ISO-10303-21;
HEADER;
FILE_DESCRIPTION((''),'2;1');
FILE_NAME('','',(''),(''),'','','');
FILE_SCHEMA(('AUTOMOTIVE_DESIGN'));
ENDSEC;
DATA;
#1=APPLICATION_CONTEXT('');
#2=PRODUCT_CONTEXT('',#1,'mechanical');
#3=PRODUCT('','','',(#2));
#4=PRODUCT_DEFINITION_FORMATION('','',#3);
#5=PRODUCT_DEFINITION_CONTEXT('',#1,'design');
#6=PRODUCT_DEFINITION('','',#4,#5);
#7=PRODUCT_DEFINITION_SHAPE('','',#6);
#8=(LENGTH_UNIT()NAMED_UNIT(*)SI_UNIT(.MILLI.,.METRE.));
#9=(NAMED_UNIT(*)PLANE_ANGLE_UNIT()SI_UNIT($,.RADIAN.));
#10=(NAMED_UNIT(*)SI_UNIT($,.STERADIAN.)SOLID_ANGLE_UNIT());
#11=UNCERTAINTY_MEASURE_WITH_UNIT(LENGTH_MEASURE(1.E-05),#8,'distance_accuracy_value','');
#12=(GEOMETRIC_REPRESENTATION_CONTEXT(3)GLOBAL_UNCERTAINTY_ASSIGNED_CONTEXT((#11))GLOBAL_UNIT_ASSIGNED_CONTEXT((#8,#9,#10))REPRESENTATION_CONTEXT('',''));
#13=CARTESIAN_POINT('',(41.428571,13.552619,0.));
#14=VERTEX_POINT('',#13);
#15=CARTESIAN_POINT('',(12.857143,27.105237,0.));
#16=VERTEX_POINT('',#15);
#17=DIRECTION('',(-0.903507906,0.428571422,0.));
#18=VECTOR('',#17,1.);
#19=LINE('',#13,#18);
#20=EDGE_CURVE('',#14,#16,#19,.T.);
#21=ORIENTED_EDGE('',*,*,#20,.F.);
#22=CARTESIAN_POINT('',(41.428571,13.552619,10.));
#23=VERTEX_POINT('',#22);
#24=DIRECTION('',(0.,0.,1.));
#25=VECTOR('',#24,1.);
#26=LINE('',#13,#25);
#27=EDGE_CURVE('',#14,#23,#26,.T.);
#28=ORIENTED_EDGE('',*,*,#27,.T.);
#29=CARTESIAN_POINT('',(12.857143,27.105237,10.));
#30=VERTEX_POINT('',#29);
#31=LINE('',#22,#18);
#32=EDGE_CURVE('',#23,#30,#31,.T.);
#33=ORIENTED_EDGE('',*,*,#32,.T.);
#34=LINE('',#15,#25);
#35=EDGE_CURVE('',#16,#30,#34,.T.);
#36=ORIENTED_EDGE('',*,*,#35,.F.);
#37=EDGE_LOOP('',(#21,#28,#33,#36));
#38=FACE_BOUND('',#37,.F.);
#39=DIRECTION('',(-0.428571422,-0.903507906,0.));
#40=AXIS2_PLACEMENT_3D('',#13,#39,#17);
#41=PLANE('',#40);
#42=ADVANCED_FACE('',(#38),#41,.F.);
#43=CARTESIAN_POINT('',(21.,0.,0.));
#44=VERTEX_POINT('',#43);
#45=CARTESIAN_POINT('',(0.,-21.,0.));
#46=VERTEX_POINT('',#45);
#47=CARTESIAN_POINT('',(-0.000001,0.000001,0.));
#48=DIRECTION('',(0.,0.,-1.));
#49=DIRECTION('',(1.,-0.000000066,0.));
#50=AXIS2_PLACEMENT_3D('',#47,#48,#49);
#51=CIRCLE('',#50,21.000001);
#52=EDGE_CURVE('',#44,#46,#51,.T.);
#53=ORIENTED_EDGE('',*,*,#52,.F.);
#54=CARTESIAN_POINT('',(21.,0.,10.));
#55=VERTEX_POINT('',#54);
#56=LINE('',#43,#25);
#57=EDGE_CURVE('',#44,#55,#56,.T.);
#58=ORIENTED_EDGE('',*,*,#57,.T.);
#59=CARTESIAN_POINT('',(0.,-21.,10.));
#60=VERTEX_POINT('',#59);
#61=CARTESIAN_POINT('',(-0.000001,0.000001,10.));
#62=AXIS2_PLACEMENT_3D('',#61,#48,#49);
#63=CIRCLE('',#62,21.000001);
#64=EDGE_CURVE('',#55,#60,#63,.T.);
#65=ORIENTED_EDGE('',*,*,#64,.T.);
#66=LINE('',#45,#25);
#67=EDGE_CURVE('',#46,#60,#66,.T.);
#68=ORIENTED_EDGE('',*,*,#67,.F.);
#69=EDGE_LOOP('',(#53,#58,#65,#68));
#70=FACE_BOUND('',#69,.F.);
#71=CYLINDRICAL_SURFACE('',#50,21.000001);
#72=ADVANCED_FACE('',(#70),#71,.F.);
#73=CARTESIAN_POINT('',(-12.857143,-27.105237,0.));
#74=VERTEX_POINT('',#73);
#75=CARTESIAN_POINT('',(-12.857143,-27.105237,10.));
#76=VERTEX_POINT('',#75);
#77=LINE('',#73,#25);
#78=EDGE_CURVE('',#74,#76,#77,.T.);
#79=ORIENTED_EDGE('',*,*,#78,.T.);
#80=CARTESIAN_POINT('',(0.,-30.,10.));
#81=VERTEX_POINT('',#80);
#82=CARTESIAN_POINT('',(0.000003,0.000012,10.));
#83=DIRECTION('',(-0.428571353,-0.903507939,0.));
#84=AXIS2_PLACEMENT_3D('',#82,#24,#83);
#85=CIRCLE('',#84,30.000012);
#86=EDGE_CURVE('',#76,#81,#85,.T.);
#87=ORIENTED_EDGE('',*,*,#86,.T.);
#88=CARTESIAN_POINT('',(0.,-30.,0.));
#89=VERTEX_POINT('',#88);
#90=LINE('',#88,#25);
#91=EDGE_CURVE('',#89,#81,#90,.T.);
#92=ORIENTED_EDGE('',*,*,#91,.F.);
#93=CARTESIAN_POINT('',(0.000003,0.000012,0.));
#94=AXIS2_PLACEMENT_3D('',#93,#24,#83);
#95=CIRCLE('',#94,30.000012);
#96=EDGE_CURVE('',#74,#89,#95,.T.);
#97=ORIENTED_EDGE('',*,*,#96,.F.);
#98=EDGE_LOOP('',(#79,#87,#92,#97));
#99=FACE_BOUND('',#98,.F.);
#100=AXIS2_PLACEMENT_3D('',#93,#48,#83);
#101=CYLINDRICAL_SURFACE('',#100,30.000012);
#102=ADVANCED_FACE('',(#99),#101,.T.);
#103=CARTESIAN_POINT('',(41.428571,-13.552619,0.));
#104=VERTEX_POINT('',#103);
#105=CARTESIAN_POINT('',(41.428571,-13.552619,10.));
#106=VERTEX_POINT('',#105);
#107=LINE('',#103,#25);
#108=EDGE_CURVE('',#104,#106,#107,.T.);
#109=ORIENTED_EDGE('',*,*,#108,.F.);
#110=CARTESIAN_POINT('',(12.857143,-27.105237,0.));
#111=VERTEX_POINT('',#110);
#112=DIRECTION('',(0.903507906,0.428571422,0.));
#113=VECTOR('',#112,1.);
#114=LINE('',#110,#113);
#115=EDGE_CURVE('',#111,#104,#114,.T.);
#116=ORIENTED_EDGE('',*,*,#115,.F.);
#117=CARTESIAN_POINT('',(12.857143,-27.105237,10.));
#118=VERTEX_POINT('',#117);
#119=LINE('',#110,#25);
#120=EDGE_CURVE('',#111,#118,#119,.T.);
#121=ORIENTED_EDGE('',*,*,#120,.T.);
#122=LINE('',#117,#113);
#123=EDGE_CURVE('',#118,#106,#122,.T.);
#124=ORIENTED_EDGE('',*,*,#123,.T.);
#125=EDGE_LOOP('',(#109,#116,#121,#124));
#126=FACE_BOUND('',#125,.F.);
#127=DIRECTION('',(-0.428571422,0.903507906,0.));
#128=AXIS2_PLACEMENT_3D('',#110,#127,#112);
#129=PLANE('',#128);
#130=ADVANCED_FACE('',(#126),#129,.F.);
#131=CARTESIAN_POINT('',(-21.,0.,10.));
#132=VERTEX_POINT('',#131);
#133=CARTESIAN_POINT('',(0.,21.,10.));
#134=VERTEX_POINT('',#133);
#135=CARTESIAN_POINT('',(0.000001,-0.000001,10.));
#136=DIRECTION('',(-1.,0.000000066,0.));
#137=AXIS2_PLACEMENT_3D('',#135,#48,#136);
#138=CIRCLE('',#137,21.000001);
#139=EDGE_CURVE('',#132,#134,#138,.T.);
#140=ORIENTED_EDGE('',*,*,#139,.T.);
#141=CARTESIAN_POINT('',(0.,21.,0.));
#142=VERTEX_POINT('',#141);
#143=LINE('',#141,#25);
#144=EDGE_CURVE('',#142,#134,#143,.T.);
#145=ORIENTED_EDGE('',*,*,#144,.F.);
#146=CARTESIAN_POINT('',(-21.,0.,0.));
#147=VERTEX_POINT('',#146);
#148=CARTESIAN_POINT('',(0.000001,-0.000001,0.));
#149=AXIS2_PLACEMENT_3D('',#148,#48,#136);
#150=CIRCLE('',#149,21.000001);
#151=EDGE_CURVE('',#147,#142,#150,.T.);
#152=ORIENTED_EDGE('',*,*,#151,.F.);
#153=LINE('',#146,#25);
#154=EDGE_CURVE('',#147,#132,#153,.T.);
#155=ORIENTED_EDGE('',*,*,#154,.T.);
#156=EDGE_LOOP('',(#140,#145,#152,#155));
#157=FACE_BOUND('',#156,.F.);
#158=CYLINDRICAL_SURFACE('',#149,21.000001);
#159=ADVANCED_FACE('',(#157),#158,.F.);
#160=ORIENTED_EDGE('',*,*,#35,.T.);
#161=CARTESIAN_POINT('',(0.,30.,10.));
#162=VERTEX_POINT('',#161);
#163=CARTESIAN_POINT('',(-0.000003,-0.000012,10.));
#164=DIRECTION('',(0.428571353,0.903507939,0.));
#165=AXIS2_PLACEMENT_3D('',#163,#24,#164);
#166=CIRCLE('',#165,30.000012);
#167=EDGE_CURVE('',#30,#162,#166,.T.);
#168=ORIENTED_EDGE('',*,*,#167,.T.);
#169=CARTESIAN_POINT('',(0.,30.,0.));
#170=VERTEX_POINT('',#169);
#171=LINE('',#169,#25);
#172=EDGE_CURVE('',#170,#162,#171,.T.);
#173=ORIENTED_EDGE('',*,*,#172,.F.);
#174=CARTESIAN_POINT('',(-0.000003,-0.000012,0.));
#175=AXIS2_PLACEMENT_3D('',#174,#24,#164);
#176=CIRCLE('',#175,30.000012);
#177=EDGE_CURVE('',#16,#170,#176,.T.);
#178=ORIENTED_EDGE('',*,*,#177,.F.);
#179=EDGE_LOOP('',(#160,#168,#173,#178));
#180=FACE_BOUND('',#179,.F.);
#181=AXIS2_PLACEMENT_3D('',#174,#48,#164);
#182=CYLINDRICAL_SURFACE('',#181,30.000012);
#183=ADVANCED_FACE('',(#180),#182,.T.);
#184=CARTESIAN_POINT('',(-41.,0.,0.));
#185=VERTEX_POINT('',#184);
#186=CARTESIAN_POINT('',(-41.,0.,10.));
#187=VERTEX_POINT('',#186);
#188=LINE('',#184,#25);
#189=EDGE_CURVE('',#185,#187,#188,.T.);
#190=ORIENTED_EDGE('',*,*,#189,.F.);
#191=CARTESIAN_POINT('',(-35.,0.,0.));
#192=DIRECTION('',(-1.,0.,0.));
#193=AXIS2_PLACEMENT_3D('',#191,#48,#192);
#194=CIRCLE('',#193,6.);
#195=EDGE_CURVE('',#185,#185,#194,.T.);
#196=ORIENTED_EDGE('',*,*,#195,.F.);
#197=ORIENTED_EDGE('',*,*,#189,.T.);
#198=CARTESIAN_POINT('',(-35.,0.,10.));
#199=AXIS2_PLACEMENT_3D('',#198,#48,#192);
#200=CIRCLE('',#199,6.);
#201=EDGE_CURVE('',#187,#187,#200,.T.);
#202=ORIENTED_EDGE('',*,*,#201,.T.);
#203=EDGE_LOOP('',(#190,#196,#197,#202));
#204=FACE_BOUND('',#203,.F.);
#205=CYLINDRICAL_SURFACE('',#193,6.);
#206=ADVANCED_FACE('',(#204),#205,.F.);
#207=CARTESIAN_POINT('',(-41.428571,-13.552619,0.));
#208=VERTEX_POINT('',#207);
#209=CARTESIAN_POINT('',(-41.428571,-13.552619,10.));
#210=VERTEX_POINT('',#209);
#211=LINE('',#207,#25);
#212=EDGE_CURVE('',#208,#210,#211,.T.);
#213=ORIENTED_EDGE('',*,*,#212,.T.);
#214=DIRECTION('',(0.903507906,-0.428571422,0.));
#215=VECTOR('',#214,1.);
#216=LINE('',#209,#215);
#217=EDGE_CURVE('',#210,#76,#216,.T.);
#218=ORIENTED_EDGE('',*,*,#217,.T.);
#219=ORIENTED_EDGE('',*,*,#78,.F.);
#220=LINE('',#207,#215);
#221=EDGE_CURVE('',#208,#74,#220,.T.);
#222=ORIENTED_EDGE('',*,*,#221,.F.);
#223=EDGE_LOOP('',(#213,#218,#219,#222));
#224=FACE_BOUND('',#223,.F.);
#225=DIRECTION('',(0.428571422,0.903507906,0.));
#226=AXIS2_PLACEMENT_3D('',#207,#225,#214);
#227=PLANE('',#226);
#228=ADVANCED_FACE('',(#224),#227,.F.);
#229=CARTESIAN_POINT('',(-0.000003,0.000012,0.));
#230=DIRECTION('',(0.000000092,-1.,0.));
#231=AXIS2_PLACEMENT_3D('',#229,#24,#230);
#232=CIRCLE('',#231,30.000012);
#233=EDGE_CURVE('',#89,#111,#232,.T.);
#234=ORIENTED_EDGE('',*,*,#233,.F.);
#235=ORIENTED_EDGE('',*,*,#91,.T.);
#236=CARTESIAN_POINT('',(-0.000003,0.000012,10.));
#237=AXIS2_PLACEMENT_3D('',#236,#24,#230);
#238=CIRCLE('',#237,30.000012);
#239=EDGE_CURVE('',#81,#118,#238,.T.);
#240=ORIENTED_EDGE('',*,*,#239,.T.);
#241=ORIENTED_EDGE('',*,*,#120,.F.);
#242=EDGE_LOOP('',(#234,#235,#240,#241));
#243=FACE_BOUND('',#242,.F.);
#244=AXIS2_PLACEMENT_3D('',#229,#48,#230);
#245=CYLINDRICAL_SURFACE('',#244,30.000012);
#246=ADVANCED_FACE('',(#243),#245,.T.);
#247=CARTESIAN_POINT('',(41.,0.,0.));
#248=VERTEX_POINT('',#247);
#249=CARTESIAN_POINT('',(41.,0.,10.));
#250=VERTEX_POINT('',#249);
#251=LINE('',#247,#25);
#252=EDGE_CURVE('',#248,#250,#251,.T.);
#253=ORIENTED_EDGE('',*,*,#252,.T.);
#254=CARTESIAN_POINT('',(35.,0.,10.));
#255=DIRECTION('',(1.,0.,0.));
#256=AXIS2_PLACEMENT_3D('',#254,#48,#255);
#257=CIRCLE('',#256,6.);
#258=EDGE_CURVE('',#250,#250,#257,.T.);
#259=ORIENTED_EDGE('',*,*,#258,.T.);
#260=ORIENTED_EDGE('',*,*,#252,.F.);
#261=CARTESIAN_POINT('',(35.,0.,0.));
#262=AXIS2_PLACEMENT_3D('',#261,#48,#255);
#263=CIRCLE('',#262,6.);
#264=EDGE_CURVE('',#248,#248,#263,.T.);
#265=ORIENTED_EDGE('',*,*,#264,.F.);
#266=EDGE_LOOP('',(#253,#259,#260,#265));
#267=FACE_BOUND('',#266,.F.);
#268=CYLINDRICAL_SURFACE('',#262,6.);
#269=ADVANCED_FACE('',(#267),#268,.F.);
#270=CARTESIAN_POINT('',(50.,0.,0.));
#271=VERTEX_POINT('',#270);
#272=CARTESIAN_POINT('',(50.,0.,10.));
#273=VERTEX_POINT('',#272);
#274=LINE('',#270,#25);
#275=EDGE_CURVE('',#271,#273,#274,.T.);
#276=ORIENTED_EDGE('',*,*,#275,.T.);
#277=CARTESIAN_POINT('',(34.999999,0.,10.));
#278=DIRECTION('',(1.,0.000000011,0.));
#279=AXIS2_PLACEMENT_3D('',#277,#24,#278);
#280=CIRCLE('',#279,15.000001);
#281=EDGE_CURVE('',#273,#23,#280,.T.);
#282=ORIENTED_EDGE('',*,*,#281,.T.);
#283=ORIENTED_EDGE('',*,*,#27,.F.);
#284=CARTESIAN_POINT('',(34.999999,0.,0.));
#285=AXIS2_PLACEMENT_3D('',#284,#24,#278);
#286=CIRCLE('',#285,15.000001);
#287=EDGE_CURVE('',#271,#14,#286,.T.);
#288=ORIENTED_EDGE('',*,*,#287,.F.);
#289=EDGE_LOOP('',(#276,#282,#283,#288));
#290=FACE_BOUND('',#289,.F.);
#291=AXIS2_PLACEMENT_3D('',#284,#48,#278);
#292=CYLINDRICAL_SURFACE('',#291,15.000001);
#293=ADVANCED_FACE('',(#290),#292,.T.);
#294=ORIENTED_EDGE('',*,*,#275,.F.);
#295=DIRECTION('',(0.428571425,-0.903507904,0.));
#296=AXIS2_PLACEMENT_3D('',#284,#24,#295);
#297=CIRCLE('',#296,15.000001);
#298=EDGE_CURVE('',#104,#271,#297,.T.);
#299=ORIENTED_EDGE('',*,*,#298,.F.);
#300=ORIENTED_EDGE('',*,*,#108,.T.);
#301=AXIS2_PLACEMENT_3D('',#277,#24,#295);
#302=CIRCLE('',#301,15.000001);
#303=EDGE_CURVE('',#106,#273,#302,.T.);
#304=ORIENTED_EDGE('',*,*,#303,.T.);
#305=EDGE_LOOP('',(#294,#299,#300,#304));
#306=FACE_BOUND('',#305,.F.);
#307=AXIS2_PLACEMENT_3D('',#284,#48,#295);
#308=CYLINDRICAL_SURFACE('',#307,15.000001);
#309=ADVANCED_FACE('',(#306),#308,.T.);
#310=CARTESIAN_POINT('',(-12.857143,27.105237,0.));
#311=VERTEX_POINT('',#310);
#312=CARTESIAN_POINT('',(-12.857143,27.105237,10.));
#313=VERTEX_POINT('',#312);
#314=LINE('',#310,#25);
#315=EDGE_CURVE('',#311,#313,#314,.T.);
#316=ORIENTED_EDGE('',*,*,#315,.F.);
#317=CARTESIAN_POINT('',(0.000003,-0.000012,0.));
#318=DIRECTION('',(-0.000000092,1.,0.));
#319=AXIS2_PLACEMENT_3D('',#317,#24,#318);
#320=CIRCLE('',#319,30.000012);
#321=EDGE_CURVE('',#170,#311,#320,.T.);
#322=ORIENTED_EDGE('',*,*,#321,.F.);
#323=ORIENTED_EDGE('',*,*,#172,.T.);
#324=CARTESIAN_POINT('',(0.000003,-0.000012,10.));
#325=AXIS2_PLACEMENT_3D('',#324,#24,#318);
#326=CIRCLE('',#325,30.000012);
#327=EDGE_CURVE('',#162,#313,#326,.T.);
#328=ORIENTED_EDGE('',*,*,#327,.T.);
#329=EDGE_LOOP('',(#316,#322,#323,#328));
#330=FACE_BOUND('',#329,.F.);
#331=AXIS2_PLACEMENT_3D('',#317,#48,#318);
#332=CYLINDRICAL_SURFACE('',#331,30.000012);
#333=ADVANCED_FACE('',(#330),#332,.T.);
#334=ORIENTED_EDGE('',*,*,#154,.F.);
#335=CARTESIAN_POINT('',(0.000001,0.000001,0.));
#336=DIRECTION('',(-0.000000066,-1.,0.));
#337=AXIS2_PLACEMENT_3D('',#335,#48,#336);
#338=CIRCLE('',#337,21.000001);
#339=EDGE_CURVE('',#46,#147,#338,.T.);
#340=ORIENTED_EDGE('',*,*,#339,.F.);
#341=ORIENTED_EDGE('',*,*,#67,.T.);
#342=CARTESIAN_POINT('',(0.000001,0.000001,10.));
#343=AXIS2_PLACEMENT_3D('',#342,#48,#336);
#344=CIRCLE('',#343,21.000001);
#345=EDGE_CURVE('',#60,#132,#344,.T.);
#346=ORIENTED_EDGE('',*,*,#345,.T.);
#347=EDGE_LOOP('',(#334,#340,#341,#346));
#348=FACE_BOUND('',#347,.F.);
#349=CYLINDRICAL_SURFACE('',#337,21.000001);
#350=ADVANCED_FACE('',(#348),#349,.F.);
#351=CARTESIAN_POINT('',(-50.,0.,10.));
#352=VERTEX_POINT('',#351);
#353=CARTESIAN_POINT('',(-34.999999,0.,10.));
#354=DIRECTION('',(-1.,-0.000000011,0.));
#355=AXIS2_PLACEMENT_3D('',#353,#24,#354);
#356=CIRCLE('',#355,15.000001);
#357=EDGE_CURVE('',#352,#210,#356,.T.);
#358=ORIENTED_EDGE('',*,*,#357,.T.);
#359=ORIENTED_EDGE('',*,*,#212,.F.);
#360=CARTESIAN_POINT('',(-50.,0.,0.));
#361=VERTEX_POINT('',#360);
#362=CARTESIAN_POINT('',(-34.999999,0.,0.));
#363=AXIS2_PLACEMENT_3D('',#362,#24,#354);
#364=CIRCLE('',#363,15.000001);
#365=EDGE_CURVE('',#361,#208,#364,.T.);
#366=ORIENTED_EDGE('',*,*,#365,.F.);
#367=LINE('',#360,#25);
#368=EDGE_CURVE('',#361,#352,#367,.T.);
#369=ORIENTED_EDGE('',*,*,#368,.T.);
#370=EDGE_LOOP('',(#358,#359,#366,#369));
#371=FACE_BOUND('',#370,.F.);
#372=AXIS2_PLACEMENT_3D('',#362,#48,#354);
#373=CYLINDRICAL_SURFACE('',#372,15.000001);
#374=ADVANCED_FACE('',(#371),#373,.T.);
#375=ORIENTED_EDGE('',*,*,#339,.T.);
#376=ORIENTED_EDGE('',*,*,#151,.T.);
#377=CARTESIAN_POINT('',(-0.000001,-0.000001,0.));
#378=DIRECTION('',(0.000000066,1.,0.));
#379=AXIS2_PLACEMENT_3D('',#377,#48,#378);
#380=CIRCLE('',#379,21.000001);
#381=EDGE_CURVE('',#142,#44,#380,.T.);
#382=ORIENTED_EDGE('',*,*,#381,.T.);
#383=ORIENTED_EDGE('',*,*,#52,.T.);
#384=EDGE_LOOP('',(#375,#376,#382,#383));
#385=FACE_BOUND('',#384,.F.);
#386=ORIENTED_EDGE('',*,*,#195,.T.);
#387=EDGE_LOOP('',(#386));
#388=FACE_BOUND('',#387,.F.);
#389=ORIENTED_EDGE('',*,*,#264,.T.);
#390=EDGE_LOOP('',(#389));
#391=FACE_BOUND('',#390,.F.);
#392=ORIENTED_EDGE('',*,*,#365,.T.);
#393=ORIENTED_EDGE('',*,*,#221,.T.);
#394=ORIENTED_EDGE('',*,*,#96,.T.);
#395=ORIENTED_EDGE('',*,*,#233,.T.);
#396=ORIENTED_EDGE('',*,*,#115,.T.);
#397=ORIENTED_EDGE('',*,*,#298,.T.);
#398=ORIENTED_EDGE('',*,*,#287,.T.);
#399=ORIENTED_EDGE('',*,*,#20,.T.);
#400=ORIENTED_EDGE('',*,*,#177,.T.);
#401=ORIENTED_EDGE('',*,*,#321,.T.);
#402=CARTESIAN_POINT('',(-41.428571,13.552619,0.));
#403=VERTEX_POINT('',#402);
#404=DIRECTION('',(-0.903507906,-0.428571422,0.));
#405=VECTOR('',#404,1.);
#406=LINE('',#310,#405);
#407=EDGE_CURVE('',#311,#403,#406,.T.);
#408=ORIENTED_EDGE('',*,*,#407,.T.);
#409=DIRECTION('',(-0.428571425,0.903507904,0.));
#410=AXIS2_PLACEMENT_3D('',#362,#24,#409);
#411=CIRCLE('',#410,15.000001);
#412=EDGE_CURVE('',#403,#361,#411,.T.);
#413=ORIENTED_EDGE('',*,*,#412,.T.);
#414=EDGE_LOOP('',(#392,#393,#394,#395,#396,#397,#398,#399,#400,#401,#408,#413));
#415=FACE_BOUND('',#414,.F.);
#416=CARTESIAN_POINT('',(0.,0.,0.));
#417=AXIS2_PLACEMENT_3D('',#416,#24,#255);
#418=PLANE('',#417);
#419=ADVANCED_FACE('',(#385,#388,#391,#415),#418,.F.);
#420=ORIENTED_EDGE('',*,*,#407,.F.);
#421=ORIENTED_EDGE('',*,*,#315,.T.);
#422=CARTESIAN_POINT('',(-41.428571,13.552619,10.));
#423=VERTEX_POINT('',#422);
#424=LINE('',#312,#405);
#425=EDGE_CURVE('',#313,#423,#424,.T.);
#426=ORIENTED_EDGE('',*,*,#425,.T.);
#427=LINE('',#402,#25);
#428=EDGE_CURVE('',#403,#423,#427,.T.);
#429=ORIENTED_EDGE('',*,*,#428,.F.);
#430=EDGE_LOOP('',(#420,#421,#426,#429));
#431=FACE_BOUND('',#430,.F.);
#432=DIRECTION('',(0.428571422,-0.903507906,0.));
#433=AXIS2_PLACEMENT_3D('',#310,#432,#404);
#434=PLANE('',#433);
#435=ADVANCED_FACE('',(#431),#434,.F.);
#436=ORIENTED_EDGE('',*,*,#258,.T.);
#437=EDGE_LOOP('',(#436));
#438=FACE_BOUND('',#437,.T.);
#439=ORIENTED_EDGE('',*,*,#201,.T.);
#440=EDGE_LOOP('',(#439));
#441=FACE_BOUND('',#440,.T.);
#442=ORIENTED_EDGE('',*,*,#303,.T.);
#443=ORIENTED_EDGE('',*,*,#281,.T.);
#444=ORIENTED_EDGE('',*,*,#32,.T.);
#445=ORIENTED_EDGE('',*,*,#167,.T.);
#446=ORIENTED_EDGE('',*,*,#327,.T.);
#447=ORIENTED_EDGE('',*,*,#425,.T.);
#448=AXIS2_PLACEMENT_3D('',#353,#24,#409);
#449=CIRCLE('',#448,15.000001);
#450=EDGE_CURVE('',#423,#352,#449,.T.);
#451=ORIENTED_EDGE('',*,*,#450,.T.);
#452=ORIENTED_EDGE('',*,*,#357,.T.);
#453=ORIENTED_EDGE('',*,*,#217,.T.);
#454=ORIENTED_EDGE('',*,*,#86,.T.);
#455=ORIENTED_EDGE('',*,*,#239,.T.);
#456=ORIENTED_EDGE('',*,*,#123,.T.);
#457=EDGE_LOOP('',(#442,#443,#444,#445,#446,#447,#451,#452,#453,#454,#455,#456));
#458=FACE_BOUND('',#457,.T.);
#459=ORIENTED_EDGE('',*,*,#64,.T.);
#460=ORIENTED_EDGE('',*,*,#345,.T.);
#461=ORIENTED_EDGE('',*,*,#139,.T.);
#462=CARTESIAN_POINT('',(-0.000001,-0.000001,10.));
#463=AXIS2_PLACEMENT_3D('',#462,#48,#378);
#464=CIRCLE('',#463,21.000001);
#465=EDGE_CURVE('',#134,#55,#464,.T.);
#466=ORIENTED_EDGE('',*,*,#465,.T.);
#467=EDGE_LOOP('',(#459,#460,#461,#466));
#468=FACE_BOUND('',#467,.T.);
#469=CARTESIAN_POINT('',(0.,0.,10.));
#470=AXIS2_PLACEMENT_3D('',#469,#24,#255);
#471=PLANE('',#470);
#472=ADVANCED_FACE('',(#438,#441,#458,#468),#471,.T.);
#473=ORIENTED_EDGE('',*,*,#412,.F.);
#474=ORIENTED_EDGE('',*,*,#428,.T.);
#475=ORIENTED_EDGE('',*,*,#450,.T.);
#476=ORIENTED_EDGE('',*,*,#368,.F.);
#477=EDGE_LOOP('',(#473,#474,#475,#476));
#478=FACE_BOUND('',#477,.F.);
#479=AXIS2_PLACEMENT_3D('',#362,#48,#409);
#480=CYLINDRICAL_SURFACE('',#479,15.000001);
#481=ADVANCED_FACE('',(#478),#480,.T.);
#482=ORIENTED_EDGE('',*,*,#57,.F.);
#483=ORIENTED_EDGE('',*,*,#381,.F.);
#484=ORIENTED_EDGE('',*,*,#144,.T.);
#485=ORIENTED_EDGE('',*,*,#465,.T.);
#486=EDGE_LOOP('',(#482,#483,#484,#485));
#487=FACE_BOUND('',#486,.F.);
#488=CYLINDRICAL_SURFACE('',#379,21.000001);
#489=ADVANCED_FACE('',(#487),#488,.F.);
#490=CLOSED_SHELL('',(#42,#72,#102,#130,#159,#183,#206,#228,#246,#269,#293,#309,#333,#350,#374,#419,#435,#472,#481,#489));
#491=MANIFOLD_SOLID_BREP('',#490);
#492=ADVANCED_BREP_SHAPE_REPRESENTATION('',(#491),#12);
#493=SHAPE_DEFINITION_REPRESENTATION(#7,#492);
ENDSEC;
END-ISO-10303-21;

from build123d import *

# Parameters (mm, degrees)
F1_DEPTH = 10


with BuildPart() as f1:
    # F0 (on Top) → F1 (new body)
    with BuildSketch(Plane.XY):
        with BuildLine():
            Line((41.428571, 13.552619), (12.857143, 27.105237))
            ThreePointArc((12.857143, 27.105237), (6.589495, 29.267363), (0, 30))
            ThreePointArc((0, 30), (-6.589495, 29.267363), (-12.857143, 27.105237))
            Line((-12.857143, 27.105237), (-41.428571, 13.552619))
            ThreePointArc((-41.428571, 13.552619), (-47.677314, 8.017837), (-50, 0))
            ThreePointArc((-50, 0), (-47.677314, -8.017837), (-41.428571, -13.552619))
            Line((-41.428571, -13.552619), (-12.857143, -27.105237))
            ThreePointArc((-12.857143, -27.105237), (-6.589495, -29.267363), (0, -30))
            ThreePointArc((0, -30), (6.589495, -29.267363), (12.857143, -27.105237))
            Line((12.857143, -27.105237), (41.428571, -13.552619))
            ThreePointArc((41.428571, -13.552619), (47.677314, -8.017837), (50, 0))
            ThreePointArc((50, 0), (47.677314, 8.017837), (41.428571, 13.552619))
        make_face()
        with BuildLine():
            ThreePointArc((-29, 0), (-35, -6), (-41, 0))
            ThreePointArc((-41, 0), (-35, 6), (-29, 0))
        make_face(mode=Mode.SUBTRACT)
        with BuildLine():
            ThreePointArc((0, 21), (14.849242, 14.849242), (21, 0))
            ThreePointArc((21, 0), (14.849242, -14.849242), (0, -21))
            ThreePointArc((0, -21), (-14.849242, -14.849242), (-21, 0))
            ThreePointArc((-21, 0), (-14.849242, 14.849242), (0, 21))
        make_face(mode=Mode.SUBTRACT)
        with BuildLine():
            ThreePointArc((29, 0), (35, 6), (41, 0))
            ThreePointArc((41, 0), (35, -6), (29, 0))
        make_face(mode=Mode.SUBTRACT)
    extrude(amount=F1_DEPTH)


solid = f1.part
